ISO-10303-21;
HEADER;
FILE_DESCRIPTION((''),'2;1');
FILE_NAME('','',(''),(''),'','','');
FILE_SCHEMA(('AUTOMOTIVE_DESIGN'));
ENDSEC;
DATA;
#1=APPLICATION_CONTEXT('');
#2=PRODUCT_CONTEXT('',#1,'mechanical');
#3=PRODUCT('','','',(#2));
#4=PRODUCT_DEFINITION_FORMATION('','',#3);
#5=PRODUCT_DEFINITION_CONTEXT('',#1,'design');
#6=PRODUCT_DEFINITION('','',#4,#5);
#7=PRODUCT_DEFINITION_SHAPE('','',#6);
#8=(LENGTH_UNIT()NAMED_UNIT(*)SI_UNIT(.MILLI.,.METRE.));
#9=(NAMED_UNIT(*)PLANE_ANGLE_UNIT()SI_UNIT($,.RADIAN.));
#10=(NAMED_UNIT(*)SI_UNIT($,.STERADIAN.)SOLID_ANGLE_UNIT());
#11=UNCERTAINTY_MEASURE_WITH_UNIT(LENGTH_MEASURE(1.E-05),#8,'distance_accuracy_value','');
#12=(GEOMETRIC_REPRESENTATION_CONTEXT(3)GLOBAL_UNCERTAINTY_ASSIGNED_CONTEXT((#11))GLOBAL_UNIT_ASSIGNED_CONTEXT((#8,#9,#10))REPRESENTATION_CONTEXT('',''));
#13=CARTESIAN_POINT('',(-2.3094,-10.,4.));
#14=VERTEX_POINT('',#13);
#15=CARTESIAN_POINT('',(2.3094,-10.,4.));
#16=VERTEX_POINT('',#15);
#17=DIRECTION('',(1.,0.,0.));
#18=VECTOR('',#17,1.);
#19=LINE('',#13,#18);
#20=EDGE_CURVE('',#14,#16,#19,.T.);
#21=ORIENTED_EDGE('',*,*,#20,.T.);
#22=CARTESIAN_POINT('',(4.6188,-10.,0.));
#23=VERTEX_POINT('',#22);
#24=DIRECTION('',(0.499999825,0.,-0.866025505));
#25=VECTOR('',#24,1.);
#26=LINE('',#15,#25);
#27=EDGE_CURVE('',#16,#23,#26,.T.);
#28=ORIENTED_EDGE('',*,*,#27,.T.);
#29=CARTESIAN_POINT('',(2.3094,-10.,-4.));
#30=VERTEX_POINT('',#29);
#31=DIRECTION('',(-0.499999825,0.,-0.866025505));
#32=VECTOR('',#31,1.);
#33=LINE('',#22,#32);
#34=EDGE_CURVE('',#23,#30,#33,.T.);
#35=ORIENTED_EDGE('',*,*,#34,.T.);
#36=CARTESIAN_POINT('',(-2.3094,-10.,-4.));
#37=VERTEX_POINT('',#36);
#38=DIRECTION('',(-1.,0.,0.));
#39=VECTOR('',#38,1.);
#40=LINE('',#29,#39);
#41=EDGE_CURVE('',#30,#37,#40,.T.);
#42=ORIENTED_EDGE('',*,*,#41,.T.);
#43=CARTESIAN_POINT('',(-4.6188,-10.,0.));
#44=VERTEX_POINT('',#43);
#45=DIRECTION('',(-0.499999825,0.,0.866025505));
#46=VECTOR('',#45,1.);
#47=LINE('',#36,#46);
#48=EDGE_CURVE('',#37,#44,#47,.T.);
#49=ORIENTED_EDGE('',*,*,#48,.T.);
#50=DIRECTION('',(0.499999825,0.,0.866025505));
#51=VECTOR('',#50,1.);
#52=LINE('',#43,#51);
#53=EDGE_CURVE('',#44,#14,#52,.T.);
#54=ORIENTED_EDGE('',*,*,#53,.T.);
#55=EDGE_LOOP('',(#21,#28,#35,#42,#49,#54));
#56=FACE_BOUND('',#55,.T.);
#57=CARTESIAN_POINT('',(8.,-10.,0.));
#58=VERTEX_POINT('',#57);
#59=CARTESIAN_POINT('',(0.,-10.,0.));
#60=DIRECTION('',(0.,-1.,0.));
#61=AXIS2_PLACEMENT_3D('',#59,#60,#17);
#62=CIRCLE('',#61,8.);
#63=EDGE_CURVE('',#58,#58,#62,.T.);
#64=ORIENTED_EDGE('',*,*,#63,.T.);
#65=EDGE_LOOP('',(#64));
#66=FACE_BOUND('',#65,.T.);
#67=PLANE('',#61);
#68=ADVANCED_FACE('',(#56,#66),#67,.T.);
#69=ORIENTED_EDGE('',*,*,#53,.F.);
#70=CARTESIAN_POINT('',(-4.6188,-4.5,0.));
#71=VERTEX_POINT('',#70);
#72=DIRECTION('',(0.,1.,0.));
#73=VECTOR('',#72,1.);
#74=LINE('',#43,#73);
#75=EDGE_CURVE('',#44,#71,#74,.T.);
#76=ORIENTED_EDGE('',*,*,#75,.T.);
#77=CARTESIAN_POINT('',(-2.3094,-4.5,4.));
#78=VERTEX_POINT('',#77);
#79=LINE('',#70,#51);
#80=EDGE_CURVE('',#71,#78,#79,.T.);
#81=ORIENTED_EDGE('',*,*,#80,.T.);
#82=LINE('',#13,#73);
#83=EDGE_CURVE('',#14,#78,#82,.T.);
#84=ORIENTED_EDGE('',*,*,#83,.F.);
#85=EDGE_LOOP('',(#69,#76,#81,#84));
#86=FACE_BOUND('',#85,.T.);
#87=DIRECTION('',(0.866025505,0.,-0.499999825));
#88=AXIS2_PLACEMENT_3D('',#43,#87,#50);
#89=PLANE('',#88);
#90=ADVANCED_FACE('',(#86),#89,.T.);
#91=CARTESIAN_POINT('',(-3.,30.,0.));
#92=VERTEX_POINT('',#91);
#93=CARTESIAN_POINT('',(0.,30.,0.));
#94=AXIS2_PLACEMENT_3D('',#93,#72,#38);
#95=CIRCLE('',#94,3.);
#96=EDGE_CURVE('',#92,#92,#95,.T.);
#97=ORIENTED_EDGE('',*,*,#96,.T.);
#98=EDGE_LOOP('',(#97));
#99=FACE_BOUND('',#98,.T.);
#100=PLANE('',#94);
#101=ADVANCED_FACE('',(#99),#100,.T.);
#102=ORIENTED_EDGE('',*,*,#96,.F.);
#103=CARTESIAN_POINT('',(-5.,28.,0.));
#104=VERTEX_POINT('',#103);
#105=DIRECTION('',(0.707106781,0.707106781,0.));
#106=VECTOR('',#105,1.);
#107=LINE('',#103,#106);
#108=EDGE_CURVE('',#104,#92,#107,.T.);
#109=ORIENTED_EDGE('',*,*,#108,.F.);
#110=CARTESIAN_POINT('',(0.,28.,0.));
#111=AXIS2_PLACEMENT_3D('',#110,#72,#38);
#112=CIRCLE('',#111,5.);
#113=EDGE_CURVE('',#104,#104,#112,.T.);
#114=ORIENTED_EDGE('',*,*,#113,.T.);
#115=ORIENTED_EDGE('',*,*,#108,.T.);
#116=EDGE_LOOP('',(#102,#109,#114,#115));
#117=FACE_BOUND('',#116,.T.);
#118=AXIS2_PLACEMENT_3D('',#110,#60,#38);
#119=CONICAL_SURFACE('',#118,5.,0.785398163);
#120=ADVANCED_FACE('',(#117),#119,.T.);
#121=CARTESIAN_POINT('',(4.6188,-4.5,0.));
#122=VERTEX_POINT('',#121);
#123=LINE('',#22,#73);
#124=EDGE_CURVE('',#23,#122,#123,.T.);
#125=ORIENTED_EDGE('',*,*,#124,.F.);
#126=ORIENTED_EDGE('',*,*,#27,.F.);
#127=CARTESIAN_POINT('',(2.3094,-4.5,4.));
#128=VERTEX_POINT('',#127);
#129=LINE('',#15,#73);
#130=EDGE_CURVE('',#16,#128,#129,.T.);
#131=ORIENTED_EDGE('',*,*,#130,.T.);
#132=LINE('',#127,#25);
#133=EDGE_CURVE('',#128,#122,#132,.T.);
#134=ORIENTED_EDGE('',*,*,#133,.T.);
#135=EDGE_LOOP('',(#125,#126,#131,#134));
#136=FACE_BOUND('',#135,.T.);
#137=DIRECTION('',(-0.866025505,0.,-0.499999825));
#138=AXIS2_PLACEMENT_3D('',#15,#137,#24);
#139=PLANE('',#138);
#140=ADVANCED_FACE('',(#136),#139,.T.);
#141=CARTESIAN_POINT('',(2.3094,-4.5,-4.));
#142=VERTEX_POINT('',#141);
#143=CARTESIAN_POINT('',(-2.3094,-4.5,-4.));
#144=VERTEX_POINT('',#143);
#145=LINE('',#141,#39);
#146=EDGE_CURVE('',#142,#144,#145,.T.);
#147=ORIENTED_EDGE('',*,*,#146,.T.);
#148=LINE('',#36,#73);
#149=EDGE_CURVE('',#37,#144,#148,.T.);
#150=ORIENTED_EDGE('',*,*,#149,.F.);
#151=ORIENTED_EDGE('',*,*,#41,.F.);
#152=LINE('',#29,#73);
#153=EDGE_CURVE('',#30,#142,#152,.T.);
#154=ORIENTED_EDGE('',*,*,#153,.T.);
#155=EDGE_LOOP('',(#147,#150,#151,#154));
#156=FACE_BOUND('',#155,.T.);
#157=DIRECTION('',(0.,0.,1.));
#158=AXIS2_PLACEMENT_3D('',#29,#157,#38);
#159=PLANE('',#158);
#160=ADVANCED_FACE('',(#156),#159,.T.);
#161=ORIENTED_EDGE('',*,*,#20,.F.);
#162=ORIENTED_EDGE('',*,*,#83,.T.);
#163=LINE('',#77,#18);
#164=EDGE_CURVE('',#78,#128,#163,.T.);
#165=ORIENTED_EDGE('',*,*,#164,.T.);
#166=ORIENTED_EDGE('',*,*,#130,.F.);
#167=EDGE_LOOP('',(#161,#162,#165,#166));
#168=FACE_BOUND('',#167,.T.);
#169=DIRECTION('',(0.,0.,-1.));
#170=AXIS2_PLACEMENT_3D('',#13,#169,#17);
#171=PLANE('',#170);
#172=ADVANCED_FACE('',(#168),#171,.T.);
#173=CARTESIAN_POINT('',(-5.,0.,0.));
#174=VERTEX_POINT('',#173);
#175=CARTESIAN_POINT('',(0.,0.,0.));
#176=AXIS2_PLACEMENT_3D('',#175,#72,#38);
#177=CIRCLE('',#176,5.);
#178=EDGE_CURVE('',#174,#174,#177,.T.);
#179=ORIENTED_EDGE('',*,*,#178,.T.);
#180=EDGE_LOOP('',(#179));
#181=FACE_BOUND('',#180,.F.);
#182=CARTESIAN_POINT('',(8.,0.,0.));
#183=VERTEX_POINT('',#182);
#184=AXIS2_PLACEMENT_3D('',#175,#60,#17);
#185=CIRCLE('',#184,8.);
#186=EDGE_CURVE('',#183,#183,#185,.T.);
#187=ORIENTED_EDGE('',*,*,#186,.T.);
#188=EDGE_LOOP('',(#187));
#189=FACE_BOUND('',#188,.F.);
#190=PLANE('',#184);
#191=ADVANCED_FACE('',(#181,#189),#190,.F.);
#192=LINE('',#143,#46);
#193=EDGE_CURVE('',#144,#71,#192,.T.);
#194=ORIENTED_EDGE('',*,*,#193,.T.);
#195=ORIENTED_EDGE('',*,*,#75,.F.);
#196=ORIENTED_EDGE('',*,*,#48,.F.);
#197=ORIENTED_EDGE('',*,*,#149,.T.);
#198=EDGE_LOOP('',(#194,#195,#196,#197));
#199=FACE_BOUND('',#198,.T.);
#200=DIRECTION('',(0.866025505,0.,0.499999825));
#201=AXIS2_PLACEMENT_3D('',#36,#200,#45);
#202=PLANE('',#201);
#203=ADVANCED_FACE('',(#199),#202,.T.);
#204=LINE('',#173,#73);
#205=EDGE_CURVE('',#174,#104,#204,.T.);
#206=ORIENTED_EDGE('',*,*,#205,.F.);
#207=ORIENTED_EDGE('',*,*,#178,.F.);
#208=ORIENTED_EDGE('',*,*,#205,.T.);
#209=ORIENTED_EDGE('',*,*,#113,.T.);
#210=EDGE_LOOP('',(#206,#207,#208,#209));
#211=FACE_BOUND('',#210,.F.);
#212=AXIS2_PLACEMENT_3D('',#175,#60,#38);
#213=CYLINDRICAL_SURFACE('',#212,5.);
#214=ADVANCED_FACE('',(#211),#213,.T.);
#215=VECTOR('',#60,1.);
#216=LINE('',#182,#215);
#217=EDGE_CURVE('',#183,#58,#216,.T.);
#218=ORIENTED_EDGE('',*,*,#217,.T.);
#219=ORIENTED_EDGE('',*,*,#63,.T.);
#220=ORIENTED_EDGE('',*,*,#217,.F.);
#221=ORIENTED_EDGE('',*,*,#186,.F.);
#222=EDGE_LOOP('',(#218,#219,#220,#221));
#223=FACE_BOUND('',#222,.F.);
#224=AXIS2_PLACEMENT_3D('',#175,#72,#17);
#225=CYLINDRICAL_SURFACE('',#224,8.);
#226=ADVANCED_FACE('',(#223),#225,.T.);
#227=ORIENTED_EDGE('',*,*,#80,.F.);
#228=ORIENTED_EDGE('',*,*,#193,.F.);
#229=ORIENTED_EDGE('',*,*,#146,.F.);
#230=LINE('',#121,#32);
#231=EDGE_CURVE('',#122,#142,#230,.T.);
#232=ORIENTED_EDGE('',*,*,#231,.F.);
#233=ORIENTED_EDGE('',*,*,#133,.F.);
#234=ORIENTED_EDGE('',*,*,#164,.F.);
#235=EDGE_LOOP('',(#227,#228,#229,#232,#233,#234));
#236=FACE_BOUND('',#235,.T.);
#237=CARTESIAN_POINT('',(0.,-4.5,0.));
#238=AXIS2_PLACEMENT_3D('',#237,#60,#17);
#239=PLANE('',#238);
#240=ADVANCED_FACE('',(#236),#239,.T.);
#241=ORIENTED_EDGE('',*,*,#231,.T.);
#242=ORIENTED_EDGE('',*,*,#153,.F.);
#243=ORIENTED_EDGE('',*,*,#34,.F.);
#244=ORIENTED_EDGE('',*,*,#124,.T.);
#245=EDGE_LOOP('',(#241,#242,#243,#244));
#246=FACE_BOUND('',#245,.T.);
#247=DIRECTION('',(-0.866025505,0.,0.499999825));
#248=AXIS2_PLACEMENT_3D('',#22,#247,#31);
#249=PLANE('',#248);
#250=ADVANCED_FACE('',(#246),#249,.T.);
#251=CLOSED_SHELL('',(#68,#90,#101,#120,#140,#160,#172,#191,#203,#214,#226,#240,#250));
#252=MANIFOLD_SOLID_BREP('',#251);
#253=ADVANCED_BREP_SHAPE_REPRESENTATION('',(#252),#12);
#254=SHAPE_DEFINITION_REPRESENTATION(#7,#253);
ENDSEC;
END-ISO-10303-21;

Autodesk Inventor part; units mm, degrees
ref_plane "YZ Plane" through (0, 0, 0) normal (1, 0, 0) x (0, 1, 0)
ref_plane "XZ Plane" through (0, 0, 0) normal (0, 1, 0) x (-1, 0, 0)
ref_plane "XY Plane" through (0, 0, 0) normal (0, 0, 1) x (1, 0, 0)
sketch "스케치1" plane through (0, 0, 0) normal (0, 1, 0) x (-1, 0, 0)
  circle A0 centre (0, 0) radius 5
  dimension "d0" = 10
extrude "돌출1" add sketch "스케치1" along normal blind 30
sketch "스케치2" plane through (0, 0, 0) normal (0, -1, 0) x (1, 0, 0)
  circle A0 centre (0, 0) radius 8
  dimension "d3" = 16
extrude "돌출2" add sketch "스케치2" along normal blind 10
sketch "스케치3" plane through (0, -10, 0) normal (0, -1, 0) x (1, 0, 0)
  circle A0 centre (0, 0) radius 5 construction
  line L0 (4.6188, 0) -> (2.3094, -4)
  line L1 (2.3094, -4) -> (-2.3094, -4)
  line L2 (-2.3094, -4) -> (-4.6188, 0)
  line L3 (-4.6188, 0) -> (-2.3094, 4)
  line L4 (-2.3094, 4) -> (2.3094, 4)
  line L5 (2.3094, 4) -> (4.6188, 0)
  dimension "d6" = 8
extrude "돌출3" cut sketch "스케치3" against normal blind 5.5
chamfer "모따기1" distance 2 angle 45 1 edges at (5, 30, 0)
thread "스레드1" size "M10x1.5" class "6g" standard "ANSI Metric M Profile" full length
properties part number "나사 10파이 30mm"
